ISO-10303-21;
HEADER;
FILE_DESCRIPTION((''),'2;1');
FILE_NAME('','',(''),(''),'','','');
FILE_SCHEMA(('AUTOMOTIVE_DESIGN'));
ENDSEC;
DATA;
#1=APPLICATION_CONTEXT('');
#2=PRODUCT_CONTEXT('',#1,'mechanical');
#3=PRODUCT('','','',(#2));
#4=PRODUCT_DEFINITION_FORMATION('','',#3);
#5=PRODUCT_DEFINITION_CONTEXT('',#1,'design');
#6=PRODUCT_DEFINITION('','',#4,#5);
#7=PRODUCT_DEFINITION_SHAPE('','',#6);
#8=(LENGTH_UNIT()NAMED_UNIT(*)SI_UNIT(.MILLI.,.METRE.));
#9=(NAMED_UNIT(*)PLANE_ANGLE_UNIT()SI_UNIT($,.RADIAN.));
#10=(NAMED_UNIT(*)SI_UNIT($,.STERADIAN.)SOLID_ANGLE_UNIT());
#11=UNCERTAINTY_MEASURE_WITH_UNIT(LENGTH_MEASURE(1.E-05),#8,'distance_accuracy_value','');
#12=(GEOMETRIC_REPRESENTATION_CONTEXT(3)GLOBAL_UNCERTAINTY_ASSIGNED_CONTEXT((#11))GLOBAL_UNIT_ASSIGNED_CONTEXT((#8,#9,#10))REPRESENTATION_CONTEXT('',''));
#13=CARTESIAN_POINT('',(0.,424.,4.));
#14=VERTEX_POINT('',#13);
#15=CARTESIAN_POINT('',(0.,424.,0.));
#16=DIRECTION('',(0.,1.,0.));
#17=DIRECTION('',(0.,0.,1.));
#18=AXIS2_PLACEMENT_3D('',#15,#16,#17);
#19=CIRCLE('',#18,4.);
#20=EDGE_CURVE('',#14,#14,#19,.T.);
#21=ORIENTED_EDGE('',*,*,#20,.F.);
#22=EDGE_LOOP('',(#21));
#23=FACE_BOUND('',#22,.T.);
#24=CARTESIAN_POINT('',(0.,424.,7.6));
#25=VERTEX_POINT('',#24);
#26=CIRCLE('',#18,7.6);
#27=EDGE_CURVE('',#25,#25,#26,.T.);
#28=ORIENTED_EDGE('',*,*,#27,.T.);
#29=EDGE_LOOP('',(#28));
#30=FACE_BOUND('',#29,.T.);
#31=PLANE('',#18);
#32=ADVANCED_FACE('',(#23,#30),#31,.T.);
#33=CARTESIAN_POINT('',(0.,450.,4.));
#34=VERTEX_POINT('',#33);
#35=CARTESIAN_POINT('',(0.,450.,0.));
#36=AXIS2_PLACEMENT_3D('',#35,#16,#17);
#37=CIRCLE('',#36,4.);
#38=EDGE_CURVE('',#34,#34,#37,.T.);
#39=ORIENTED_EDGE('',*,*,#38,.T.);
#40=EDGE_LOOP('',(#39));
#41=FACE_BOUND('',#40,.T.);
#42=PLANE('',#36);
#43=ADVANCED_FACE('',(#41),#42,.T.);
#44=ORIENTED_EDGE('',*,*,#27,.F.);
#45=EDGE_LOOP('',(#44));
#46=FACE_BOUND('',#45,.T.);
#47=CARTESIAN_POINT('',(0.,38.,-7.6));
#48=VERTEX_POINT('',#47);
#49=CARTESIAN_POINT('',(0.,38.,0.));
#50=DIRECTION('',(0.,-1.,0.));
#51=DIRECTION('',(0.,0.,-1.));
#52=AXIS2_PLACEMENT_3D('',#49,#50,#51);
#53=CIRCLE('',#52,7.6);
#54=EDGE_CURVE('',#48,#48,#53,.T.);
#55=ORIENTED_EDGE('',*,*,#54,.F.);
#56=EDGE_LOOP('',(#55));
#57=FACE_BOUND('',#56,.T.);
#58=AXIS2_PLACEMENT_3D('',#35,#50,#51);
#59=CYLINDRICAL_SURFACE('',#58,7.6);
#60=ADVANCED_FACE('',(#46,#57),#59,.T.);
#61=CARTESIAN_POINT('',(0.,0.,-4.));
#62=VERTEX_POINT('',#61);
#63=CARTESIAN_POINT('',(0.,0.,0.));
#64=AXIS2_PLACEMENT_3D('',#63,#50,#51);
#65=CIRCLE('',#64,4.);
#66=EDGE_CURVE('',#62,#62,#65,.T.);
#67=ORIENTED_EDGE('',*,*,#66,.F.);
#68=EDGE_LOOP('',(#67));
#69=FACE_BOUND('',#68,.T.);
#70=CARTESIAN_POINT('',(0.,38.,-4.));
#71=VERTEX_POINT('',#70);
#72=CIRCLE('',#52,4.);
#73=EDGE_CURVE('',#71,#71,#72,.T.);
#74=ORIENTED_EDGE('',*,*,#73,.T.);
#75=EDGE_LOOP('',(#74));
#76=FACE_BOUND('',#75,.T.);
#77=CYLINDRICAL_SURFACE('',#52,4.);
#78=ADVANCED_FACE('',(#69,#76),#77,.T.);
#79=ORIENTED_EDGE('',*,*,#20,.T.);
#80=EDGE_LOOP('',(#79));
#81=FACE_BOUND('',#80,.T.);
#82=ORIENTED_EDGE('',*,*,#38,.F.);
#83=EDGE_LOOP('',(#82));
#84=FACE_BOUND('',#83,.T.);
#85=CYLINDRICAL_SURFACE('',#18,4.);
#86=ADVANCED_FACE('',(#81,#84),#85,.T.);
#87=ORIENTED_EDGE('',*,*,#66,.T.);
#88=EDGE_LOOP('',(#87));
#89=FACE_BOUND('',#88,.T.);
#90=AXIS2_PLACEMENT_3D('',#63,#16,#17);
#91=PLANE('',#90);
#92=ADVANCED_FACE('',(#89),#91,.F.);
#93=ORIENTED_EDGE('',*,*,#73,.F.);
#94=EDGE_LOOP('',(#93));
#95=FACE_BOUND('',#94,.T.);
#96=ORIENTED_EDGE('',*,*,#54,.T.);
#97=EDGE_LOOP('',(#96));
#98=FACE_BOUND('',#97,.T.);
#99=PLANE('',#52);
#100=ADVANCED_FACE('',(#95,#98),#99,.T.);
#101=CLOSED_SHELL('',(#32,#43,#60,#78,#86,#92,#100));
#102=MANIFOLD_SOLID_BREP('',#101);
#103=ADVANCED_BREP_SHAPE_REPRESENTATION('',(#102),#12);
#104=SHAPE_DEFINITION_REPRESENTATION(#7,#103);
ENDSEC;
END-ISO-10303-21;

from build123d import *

# Parameters (mm, degrees)
SKETCH_1_R          = 7.6
EXTRUDE_1_DEPTH     = 450
SKETCH_2_R          = 7.6
SKETCH_2_R_2        = 4
CUT_EXTRUDE_1_DEPTH = 26
SKETCH_3_R          = 7.6
SKETCH_3_R_2        = 4
CUT_EXTRUDE_2_DEPTH = 38


with BuildPart() as part:
    # Эскиз1 → Бобышка-Вытянуть1 (new body)
    with BuildSketch(Plane(origin=(0, 0, 0), x_dir=(1, 0, 0), z_dir=(0, 1, 0))):
        Circle(SKETCH_1_R)
    extrude(amount=EXTRUDE_1_DEPTH)

    # Эскиз2 → Вырез-Вытянуть1 (cut)
    with BuildSketch(Plane(origin=(0, 450, 0), x_dir=(1, 0, 0), z_dir=(0, 1, 0))):
        Circle(SKETCH_2_R)
        Circle(SKETCH_2_R_2, mode=Mode.SUBTRACT)
    extrude(amount=-CUT_EXTRUDE_1_DEPTH, mode=Mode.SUBTRACT)

    # Эскиз3 → Вырез-Вытянуть2 (cut)
    with BuildSketch(Plane.XZ):
        Circle(SKETCH_3_R)
        Circle(SKETCH_3_R_2, mode=Mode.SUBTRACT)
    extrude(amount=-CUT_EXTRUDE_2_DEPTH, mode=Mode.SUBTRACT)


solid = part.part
